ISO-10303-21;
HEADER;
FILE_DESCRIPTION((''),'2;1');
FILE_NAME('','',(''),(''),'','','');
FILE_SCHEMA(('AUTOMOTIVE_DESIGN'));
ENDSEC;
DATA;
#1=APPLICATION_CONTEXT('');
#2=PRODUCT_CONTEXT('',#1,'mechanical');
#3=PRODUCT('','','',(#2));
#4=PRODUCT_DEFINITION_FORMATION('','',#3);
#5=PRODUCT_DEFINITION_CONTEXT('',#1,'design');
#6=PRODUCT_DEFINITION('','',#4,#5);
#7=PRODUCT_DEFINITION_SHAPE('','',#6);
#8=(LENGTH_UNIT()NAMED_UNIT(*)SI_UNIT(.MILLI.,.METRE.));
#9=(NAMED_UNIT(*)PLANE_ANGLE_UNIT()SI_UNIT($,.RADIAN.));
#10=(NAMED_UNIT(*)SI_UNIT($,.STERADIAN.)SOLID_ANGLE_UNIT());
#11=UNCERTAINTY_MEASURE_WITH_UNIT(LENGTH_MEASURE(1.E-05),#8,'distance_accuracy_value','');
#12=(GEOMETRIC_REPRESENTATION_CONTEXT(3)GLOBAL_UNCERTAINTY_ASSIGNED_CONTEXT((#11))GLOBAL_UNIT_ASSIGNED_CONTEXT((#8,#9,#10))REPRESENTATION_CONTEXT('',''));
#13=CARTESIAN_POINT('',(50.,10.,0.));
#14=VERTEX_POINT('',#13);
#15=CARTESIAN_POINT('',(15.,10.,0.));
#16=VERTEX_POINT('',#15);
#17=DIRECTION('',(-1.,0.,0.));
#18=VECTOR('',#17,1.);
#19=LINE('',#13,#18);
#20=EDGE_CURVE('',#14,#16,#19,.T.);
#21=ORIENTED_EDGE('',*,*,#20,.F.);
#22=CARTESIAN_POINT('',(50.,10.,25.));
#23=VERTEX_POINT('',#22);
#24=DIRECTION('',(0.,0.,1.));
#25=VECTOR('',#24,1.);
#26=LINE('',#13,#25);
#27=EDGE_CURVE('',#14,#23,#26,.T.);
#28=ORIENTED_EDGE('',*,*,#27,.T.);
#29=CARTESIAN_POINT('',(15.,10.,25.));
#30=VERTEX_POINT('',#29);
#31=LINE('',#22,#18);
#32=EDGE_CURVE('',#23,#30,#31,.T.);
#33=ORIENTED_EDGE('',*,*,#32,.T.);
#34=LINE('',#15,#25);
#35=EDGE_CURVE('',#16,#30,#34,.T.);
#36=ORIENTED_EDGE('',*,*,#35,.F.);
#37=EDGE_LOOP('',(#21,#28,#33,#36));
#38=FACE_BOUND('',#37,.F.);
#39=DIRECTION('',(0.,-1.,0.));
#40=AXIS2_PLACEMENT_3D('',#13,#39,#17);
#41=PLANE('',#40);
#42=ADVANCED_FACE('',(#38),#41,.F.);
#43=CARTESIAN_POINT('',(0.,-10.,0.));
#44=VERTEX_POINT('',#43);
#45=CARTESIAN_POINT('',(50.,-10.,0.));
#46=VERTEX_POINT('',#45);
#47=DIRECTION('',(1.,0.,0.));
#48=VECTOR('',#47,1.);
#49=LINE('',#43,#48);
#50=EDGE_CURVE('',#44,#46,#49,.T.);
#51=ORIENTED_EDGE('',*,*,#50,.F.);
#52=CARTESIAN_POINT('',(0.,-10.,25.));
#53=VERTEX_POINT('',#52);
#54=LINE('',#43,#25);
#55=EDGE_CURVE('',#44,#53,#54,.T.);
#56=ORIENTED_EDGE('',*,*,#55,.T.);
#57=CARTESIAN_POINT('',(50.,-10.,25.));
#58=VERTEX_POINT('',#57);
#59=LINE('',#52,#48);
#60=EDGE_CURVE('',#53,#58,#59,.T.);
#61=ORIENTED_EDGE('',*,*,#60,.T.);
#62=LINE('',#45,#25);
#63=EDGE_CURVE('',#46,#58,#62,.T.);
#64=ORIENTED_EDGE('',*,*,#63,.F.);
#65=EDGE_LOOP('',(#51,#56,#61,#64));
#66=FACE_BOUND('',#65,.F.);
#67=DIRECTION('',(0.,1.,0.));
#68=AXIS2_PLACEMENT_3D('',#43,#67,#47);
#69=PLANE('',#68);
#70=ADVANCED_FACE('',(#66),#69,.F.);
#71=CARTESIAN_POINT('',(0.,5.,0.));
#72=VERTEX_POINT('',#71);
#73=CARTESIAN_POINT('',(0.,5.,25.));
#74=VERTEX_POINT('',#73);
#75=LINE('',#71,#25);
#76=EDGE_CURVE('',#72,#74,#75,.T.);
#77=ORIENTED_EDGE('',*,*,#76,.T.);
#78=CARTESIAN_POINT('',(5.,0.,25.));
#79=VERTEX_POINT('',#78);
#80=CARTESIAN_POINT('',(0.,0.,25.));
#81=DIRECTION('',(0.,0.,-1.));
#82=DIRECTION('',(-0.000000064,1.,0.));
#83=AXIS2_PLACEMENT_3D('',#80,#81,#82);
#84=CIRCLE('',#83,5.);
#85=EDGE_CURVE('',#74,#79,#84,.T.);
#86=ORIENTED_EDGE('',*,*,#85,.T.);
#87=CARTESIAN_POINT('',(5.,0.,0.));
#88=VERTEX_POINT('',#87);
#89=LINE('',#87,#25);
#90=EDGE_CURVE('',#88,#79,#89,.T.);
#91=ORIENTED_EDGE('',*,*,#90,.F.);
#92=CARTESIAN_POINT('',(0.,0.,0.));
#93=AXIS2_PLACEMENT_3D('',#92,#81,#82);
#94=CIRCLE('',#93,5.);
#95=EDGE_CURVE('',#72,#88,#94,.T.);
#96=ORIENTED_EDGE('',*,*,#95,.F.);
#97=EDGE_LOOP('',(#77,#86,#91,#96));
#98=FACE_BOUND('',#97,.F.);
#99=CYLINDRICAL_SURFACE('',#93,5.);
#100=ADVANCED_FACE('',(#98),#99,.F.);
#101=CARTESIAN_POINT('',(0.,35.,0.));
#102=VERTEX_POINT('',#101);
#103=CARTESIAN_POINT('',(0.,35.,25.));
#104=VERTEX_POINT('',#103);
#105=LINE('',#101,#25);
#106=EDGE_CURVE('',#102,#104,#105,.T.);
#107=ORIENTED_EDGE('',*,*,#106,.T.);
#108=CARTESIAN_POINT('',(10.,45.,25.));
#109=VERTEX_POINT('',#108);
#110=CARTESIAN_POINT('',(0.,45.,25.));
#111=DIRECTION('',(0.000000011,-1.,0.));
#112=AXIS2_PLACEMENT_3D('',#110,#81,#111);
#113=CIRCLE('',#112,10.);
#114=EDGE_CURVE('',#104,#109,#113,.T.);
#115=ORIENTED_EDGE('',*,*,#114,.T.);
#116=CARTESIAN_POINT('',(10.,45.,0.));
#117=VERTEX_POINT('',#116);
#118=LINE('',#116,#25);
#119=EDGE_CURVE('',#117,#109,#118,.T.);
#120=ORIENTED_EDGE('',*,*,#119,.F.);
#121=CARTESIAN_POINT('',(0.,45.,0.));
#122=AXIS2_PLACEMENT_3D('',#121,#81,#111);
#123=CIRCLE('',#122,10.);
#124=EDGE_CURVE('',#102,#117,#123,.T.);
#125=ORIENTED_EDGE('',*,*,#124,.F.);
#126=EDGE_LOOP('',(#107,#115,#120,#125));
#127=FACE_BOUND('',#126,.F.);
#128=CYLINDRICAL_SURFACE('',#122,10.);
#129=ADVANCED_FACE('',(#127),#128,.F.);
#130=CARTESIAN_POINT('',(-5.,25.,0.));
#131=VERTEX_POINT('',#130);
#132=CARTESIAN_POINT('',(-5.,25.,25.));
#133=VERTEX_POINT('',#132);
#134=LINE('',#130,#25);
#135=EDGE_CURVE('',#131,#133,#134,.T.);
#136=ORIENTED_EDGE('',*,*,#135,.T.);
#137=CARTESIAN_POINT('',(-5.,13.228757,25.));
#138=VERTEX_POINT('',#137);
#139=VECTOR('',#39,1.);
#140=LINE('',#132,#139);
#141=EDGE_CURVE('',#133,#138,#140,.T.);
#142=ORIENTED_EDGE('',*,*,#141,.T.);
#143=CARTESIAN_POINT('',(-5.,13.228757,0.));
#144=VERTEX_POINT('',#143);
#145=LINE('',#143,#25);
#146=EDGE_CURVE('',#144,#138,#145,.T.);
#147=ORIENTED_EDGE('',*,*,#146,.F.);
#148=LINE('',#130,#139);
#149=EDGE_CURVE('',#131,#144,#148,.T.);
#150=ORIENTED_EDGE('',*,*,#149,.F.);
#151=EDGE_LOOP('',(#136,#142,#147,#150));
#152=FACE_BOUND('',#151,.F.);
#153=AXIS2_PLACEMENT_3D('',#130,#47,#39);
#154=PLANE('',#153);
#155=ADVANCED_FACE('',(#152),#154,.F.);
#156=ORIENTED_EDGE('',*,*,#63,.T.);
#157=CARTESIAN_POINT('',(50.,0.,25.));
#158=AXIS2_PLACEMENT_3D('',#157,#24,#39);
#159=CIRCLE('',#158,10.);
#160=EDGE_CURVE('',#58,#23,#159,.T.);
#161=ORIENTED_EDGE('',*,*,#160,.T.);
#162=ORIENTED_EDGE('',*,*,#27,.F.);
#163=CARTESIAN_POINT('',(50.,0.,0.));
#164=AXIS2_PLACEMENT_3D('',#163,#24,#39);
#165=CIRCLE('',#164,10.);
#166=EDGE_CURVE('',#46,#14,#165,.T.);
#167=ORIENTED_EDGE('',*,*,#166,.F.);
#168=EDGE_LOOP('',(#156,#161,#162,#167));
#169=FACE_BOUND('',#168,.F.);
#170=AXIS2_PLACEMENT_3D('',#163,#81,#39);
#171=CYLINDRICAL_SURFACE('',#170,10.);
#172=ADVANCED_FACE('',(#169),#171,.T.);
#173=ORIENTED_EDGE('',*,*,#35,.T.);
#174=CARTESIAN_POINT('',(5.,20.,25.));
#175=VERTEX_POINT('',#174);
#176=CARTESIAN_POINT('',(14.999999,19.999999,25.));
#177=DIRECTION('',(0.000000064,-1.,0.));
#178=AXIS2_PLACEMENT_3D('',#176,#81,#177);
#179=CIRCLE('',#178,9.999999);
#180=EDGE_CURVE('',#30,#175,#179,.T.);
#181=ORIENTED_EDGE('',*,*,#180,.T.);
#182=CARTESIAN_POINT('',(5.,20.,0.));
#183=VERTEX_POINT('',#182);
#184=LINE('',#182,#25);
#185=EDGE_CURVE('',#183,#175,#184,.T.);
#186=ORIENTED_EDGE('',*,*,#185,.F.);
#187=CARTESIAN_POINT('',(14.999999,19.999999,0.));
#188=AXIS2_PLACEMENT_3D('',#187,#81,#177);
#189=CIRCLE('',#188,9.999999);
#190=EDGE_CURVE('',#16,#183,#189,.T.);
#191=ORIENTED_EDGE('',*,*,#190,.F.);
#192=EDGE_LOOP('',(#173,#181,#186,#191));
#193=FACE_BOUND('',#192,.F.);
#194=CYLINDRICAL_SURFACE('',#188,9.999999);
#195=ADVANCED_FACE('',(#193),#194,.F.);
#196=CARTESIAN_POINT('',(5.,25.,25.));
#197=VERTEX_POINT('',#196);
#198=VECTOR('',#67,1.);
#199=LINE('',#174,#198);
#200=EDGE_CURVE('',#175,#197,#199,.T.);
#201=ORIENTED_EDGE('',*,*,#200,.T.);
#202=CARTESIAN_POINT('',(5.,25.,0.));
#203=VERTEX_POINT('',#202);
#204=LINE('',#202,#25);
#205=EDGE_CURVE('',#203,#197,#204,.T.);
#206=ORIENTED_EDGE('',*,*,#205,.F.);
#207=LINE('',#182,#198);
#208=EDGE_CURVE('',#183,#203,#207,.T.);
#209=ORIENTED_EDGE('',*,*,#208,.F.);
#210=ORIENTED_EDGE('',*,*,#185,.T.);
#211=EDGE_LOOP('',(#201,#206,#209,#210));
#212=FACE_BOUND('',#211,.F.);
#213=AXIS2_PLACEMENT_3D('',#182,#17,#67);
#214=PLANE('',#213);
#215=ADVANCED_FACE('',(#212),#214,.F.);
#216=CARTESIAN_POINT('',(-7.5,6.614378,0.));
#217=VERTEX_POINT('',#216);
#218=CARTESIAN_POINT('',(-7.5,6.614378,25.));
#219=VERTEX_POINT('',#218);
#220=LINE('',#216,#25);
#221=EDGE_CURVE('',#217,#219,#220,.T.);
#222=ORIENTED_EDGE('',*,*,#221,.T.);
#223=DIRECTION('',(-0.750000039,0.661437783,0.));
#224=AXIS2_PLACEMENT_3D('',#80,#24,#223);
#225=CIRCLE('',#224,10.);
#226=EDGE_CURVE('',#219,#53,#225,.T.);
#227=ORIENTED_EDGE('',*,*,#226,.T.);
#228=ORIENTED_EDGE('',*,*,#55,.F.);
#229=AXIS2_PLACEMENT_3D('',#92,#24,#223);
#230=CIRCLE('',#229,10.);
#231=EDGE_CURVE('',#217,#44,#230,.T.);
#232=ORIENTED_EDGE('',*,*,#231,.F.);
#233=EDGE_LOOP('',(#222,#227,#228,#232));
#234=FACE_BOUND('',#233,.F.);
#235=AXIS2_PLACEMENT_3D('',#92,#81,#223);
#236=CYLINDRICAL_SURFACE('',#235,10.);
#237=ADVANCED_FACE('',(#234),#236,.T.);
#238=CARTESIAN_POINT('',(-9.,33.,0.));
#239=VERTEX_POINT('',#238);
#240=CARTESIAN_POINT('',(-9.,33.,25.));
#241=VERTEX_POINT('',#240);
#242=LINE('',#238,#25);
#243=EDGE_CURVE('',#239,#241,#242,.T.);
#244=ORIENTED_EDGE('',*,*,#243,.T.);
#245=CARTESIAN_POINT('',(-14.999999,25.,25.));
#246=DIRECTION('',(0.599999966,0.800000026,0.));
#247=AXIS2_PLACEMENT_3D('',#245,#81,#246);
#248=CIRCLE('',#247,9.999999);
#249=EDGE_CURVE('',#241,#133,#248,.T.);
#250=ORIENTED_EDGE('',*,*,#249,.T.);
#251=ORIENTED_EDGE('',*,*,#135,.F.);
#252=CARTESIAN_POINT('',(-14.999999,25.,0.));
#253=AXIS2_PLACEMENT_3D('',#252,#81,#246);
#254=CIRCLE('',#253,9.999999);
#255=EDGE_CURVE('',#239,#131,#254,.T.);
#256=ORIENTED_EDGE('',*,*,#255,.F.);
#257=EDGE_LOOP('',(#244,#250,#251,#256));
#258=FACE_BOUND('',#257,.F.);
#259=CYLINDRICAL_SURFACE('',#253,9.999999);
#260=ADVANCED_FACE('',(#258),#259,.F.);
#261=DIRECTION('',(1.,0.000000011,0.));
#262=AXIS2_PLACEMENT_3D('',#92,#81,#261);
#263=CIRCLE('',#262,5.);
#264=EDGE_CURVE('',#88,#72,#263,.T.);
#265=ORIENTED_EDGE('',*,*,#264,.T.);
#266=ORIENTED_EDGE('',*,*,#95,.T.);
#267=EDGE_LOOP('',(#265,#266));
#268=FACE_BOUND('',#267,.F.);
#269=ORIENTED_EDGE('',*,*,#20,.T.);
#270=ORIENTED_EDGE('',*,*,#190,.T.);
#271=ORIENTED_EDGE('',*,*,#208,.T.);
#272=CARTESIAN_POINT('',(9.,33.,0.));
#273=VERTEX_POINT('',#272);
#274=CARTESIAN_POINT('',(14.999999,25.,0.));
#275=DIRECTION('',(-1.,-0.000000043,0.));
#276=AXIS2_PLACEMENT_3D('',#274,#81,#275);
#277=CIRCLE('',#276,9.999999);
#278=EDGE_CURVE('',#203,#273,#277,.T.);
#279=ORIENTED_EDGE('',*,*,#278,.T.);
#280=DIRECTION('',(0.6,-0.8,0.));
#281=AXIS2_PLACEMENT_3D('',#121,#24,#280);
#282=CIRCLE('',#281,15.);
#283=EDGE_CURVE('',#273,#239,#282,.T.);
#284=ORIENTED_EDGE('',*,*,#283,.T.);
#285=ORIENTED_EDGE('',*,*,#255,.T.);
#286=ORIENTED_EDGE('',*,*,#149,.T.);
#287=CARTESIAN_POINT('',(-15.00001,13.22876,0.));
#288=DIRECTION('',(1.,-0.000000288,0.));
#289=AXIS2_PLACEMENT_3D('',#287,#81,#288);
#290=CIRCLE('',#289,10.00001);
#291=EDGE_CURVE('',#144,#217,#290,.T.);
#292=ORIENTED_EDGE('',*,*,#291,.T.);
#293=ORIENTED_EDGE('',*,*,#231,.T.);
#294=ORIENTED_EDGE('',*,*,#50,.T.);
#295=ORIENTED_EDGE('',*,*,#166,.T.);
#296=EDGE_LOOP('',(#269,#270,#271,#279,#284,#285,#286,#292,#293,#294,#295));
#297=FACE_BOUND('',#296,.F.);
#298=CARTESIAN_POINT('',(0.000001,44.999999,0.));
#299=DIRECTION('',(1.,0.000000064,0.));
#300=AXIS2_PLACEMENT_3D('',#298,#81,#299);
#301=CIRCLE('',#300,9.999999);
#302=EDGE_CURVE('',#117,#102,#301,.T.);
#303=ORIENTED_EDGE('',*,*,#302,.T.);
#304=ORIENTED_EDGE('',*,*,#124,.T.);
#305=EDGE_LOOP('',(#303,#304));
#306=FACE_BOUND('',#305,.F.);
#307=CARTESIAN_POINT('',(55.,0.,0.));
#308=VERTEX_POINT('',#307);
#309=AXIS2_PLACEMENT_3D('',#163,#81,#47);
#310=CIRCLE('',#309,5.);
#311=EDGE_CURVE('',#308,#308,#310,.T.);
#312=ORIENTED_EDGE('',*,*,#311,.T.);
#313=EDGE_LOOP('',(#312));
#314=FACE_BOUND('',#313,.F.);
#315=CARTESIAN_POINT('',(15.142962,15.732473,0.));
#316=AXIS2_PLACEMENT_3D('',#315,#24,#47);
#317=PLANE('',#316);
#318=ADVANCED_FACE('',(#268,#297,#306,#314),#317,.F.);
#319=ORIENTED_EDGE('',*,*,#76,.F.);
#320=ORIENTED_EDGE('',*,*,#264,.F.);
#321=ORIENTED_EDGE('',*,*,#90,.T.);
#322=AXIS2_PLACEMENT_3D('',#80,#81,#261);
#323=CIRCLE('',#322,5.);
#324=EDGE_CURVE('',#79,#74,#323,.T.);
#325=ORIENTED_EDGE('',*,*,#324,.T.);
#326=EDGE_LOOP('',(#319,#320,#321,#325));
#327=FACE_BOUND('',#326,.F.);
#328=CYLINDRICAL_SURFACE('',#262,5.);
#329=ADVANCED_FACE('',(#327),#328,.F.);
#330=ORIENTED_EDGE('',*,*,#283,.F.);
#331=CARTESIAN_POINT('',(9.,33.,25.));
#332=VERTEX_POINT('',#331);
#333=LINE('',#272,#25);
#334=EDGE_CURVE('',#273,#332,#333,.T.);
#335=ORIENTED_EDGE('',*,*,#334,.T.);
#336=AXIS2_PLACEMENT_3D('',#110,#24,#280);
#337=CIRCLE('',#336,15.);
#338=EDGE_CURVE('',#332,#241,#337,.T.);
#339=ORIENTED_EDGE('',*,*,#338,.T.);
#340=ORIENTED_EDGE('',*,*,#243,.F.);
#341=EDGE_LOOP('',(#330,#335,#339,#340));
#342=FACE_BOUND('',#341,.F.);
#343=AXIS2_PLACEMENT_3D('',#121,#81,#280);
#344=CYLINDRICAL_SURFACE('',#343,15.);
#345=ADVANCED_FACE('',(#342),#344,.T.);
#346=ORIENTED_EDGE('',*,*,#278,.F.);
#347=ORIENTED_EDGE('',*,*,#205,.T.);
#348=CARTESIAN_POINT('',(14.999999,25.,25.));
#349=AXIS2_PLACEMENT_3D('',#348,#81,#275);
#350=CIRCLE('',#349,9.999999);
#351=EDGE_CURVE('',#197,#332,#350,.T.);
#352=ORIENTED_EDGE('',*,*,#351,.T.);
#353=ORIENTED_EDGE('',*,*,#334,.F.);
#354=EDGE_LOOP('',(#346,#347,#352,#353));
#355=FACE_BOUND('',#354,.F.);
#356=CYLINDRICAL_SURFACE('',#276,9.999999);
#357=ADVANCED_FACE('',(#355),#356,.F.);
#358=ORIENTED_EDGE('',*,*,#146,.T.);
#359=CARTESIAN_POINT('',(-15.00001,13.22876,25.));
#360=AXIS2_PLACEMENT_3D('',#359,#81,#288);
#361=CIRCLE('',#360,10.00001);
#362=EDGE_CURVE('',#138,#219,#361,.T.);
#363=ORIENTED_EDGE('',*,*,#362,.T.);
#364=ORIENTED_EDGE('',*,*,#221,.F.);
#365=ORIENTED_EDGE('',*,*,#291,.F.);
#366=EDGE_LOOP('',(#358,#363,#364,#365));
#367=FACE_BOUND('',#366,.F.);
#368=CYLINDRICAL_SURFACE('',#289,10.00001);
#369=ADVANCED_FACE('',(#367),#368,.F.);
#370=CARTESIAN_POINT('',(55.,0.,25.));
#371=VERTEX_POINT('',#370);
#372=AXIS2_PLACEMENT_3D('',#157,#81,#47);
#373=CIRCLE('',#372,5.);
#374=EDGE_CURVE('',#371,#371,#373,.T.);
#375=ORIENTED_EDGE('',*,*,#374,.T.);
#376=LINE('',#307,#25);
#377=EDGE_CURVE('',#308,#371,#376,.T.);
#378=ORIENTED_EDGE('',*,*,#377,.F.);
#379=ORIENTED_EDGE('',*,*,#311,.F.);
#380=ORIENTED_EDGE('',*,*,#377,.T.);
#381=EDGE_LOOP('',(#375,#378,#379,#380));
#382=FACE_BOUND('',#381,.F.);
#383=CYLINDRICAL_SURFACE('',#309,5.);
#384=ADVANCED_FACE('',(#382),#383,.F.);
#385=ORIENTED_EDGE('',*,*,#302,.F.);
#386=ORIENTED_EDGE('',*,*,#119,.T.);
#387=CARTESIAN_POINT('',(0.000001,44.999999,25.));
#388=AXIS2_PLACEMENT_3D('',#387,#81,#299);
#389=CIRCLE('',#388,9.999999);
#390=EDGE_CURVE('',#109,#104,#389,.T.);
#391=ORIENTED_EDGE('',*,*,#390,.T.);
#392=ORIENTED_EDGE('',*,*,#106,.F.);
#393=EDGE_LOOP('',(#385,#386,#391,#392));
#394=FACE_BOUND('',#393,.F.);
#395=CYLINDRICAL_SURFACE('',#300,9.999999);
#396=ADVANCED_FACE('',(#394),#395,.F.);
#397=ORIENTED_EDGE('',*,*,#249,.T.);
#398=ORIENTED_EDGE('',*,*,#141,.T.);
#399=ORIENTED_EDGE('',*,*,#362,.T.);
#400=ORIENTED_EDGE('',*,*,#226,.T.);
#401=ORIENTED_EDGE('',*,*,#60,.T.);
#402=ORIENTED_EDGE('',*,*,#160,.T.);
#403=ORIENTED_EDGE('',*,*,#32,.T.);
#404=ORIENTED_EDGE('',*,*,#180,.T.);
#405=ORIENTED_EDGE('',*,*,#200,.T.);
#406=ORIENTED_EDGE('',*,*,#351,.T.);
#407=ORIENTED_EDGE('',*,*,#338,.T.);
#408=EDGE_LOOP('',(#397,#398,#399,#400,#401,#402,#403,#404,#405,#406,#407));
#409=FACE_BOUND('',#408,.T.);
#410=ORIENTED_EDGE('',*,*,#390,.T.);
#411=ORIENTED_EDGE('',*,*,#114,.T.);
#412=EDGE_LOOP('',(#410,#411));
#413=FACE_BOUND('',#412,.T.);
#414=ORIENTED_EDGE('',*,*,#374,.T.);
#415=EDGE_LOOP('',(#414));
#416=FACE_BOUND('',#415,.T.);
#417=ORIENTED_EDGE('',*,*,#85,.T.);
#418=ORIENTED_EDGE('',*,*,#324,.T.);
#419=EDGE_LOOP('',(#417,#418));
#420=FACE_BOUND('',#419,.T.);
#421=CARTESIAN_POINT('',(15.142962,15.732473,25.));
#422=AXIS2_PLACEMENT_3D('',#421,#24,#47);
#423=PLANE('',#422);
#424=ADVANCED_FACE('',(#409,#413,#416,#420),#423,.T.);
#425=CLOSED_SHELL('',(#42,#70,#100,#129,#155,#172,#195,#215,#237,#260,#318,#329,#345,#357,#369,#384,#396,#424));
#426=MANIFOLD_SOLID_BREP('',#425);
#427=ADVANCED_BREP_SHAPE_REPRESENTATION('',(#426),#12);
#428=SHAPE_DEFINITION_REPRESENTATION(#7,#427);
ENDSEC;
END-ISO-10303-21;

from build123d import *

# Parameters (mm, degrees)
F1_DEPTH = 25


with BuildPart() as f1:
    # F0 (on Top) → F1 (new body)
    with BuildSketch(Plane.XY):
        with BuildLine():
            ThreePointArc((5, 25), (6.055728, 29.472136), (9, 33))
            ThreePointArc((9, 33), (0, 60), (-9, 33))
            ThreePointArc((-9, 33), (-6.055728, 29.472136), (-5, 25))
            Line((-5, 25), (-5, 13.228757))
            ThreePointArc((-5, 13.228757), (-5.645857, 9.693223), (-7.5, 6.614378))
            ThreePointArc((-7.5, 6.614378), (-9.114378, -4.114378), (0, -10))
            Line((0, -10), (50, -10))
            ThreePointArc((50, -10), (60, 0), (50, 10))
            Line((50, 10), (15, 10))
            ThreePointArc((15, 10), (7.928932, 12.928932), (5, 20))
            Line((5, 20), (5, 25))
        make_face()
        with BuildLine():
            ThreePointArc((0, 5), (3.535534, 3.535534), (5, 0))
            ThreePointArc((5, 0), (-3.535534, -3.535534), (0, 5))
        make_face(mode=Mode.SUBTRACT)
        with BuildLine():
            ThreePointArc((45, 0), (50, 5), (55, 0))
            ThreePointArc((55, 0), (50, -5), (45, 0))
        make_face(mode=Mode.SUBTRACT)
        with BuildLine():
            ThreePointArc((10, 45), (7.071068, 37.928932), (0, 35))
            ThreePointArc((0, 35), (-7.071068, 52.071068), (10, 45))
        make_face(mode=Mode.SUBTRACT)
    extrude(amount=F1_DEPTH)


solid = f1.part
